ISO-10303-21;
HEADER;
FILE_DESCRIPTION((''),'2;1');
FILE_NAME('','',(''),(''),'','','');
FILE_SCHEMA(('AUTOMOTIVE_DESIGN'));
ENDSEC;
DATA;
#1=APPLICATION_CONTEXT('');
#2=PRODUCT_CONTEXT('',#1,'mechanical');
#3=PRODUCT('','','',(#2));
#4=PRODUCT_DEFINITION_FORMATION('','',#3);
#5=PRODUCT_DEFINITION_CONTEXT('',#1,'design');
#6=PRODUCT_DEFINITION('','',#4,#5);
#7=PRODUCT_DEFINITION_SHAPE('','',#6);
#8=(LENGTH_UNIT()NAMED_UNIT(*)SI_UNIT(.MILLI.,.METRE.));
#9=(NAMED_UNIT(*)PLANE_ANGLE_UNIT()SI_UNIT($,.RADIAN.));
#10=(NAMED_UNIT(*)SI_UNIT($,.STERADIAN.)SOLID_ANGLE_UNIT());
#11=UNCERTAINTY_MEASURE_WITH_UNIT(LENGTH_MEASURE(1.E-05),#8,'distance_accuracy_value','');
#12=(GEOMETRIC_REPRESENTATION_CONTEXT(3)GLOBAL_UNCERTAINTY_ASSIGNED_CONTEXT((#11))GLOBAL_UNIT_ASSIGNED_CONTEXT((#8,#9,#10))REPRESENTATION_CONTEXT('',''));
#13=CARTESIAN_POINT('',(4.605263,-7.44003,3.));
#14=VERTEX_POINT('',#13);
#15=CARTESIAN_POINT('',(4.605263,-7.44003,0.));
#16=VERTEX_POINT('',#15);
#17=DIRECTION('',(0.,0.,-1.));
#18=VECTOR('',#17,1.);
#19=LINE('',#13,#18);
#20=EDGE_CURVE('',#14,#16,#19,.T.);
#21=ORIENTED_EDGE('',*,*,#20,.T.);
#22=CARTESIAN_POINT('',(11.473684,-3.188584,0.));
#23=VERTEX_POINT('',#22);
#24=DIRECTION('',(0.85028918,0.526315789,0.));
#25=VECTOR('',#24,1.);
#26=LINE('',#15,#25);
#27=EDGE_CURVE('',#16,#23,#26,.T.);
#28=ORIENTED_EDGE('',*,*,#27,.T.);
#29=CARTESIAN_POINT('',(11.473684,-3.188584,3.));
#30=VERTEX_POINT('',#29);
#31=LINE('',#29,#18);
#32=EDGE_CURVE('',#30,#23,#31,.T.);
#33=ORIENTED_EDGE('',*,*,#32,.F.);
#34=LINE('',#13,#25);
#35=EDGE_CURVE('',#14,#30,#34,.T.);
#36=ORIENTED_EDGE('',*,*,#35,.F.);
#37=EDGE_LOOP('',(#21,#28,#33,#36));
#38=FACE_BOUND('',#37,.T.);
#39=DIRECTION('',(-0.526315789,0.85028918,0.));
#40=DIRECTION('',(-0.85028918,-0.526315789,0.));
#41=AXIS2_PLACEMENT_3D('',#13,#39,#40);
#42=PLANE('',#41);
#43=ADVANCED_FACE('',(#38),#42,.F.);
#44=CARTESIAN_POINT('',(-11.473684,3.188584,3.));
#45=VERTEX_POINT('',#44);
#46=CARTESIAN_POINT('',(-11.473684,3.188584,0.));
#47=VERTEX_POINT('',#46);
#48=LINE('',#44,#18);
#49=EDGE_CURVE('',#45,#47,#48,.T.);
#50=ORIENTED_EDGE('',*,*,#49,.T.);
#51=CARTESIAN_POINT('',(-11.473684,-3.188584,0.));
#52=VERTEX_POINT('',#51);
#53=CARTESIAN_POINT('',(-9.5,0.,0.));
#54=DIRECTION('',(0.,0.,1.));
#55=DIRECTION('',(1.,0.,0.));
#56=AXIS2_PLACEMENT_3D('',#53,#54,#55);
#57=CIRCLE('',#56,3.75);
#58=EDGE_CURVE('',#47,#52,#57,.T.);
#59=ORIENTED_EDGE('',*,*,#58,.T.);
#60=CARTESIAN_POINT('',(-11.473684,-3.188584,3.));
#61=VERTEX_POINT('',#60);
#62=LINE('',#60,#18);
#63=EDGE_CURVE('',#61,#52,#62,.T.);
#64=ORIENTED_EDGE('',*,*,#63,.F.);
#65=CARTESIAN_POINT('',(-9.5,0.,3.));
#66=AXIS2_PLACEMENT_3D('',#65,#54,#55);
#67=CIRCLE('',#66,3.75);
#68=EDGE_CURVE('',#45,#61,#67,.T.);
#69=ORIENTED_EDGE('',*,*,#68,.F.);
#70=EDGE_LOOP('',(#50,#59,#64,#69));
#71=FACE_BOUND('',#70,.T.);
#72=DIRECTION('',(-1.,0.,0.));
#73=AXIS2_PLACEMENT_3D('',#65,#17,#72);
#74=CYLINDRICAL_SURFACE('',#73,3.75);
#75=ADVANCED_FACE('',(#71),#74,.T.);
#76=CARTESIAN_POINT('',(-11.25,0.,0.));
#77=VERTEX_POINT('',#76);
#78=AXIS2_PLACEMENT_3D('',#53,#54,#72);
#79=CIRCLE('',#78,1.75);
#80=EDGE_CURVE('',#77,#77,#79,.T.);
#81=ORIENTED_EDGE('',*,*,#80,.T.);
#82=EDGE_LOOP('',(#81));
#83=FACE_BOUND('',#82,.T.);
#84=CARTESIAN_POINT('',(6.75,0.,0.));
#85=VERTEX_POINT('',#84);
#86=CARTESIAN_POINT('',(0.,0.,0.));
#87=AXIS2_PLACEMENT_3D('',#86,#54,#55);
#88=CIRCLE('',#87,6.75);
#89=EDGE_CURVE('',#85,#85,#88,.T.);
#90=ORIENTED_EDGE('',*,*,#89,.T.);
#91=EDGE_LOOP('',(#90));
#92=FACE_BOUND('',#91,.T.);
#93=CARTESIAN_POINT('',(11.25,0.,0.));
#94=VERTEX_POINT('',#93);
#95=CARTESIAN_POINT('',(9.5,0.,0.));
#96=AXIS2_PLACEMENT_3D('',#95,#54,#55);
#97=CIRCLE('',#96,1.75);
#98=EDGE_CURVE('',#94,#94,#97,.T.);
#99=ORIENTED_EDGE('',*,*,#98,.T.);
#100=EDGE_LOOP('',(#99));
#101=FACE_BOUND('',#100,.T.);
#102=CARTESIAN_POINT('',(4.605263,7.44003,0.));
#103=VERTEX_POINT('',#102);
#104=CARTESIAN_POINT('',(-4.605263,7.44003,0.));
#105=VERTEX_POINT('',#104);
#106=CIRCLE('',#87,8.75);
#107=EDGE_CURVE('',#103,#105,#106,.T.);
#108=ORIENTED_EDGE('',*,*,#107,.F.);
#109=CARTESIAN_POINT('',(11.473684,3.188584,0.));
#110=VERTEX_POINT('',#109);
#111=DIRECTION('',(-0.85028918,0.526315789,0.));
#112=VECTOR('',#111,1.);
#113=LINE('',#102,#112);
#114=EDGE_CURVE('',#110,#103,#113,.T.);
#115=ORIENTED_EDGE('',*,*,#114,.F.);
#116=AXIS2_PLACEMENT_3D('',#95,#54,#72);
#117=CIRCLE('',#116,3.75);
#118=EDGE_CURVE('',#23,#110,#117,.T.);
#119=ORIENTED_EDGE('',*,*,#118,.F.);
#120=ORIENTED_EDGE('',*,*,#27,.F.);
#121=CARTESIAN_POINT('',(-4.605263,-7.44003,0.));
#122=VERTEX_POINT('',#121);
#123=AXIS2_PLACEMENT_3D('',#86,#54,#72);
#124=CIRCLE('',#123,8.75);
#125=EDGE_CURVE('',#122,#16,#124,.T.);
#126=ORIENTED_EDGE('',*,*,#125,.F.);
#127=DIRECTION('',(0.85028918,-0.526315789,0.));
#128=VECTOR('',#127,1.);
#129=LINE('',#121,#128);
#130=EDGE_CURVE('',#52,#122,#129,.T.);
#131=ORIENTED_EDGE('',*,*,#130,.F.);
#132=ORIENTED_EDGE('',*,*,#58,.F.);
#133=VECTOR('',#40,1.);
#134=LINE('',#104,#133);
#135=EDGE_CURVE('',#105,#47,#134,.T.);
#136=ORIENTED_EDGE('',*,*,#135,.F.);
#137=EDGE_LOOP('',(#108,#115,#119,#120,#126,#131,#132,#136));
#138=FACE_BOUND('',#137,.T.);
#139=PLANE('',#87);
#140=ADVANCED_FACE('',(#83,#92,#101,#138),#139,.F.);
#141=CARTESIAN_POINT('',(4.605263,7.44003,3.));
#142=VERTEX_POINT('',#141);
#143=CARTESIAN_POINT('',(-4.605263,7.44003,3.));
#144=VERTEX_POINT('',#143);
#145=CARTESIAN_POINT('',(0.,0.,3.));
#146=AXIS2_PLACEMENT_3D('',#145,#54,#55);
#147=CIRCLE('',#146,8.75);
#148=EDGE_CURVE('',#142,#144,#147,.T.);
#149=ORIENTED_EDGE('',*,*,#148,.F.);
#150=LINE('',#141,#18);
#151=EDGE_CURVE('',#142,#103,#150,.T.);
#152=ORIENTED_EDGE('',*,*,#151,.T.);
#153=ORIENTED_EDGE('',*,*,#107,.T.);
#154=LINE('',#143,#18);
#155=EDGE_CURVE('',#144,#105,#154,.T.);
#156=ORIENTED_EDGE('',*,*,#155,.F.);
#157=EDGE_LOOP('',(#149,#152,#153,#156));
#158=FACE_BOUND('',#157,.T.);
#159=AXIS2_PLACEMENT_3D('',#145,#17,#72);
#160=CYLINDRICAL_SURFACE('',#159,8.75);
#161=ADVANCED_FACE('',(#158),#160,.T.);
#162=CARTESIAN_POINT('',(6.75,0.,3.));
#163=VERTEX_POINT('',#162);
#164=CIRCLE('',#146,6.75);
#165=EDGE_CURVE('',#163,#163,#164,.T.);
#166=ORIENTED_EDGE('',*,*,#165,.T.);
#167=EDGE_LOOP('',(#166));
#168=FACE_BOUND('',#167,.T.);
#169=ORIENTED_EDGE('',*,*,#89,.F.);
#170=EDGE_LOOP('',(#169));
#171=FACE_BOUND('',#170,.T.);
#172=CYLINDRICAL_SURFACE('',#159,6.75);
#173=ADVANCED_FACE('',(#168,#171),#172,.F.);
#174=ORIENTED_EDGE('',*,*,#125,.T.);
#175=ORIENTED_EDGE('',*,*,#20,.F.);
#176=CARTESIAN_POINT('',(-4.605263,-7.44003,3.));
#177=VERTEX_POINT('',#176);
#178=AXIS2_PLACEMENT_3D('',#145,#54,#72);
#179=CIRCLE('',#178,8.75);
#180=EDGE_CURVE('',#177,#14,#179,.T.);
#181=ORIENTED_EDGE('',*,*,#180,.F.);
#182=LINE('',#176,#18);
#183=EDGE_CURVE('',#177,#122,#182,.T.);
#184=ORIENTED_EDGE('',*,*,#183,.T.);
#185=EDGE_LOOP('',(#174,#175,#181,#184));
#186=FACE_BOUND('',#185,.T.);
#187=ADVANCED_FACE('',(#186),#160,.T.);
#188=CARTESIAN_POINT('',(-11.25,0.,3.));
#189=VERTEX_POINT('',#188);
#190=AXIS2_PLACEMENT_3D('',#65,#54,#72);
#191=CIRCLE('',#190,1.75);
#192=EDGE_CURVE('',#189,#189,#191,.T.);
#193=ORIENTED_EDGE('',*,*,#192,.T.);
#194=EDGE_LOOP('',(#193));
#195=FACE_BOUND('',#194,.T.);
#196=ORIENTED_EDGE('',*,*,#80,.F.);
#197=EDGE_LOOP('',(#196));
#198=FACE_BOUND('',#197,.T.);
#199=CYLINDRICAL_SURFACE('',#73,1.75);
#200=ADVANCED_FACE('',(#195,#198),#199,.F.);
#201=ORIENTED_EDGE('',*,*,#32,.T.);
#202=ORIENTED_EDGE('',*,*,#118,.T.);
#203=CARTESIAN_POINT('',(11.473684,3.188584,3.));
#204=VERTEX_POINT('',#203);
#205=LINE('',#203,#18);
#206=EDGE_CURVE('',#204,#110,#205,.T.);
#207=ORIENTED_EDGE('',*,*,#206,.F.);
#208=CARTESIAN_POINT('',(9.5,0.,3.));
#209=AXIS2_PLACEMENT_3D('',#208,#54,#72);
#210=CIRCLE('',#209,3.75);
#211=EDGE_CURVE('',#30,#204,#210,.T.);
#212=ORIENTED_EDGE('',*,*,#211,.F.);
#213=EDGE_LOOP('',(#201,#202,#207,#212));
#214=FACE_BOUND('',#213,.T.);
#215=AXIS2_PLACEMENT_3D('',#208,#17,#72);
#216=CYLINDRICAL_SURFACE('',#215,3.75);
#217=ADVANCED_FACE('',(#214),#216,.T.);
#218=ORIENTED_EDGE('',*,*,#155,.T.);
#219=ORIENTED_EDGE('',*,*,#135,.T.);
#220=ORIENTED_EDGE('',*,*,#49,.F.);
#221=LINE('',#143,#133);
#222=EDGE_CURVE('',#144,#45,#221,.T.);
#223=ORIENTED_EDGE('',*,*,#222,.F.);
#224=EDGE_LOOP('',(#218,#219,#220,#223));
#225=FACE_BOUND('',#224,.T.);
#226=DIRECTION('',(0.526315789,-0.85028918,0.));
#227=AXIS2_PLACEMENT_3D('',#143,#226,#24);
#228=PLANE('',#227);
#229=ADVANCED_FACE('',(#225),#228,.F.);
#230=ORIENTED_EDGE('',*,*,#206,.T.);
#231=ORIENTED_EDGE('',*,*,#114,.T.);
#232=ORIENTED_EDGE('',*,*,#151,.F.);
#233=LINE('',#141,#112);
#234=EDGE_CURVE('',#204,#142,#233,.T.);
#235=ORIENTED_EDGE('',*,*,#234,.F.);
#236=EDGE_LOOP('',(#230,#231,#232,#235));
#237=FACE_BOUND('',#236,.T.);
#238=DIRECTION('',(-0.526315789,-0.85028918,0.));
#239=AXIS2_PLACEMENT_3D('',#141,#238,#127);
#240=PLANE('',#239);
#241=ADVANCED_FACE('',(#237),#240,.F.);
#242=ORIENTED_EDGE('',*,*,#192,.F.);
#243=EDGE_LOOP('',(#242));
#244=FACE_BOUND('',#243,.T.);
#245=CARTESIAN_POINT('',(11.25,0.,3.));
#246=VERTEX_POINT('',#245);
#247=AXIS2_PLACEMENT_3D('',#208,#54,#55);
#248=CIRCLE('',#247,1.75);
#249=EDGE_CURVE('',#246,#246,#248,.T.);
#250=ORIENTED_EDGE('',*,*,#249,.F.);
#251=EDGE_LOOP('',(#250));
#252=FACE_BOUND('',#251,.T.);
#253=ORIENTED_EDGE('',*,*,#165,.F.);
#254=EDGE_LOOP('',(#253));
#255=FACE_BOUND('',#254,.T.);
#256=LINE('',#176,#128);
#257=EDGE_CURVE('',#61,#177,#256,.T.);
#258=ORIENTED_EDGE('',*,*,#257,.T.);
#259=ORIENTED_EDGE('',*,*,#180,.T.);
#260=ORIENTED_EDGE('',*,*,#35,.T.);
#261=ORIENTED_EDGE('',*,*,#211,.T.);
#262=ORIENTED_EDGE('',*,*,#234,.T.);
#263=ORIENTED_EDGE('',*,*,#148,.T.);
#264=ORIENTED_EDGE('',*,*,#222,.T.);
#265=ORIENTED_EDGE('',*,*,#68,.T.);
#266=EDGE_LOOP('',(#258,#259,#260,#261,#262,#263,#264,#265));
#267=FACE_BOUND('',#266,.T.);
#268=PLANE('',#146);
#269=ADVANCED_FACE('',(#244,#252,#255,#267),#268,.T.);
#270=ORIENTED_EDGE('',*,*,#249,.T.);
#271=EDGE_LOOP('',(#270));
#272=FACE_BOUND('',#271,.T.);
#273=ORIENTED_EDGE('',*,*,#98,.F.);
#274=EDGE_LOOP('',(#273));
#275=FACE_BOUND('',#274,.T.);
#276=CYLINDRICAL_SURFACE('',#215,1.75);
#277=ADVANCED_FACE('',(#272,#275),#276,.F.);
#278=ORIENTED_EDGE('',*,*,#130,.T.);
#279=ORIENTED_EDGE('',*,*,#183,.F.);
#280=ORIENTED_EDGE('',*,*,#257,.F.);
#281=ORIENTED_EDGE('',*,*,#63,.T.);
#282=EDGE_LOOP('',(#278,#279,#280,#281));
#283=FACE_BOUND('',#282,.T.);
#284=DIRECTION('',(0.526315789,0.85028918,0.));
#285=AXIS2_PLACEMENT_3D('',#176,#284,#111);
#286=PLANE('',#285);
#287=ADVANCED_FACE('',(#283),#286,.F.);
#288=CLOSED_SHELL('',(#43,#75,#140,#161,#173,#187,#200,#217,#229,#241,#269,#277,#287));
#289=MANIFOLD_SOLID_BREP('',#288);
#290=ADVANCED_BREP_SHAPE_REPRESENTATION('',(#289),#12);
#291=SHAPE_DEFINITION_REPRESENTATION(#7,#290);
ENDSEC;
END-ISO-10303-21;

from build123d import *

# Parameters (mm, degrees)
SZKIC1_R                    = 6.75
SZKIC1_R_2                  = 1.75
DODANIE_WYCI_GNI_CIE1_DEPTH = 3


with BuildPart() as part:
    # Szkic1 → Dodanie-wyciągnięcie1 (new body)
    with BuildSketch(Plane.XY):
        with BuildLine():
            Line((4.605263158, 7.440030326), (11.473684211, 3.188584425))
            ThreePointArc((11.473684211, 3.188584425), (13.25, 0), (11.473684211, -3.188584425))
            Line((11.473684211, -3.188584425), (4.605263158, -7.440030326))
            ThreePointArc((4.605263158, -7.440030326), (0, -8.75), (-4.605263158, -7.440030326))
            Line((-4.605263158, -7.440030326), (-11.473684211, -3.188584425))
            ThreePointArc((-11.473684211, -3.188584425), (-13.25, 0), (-11.473684211, 3.188584425))
            Line((-11.473684211, 3.188584425), (-4.605263158, 7.440030326))
            ThreePointArc((-4.605263158, 7.440030326), (0, 8.75), (4.605263158, 7.440030326))
        make_face()
        Circle(SZKIC1_R, mode=Mode.SUBTRACT)
        with Locations((9.5, 0)):
            Circle(SZKIC1_R_2, mode=Mode.SUBTRACT)
        with Locations((-9.5, 0)):
            Circle(SZKIC1_R_2, mode=Mode.SUBTRACT)
    extrude(amount=DODANIE_WYCI_GNI_CIE1_DEPTH)


solid = part.part
